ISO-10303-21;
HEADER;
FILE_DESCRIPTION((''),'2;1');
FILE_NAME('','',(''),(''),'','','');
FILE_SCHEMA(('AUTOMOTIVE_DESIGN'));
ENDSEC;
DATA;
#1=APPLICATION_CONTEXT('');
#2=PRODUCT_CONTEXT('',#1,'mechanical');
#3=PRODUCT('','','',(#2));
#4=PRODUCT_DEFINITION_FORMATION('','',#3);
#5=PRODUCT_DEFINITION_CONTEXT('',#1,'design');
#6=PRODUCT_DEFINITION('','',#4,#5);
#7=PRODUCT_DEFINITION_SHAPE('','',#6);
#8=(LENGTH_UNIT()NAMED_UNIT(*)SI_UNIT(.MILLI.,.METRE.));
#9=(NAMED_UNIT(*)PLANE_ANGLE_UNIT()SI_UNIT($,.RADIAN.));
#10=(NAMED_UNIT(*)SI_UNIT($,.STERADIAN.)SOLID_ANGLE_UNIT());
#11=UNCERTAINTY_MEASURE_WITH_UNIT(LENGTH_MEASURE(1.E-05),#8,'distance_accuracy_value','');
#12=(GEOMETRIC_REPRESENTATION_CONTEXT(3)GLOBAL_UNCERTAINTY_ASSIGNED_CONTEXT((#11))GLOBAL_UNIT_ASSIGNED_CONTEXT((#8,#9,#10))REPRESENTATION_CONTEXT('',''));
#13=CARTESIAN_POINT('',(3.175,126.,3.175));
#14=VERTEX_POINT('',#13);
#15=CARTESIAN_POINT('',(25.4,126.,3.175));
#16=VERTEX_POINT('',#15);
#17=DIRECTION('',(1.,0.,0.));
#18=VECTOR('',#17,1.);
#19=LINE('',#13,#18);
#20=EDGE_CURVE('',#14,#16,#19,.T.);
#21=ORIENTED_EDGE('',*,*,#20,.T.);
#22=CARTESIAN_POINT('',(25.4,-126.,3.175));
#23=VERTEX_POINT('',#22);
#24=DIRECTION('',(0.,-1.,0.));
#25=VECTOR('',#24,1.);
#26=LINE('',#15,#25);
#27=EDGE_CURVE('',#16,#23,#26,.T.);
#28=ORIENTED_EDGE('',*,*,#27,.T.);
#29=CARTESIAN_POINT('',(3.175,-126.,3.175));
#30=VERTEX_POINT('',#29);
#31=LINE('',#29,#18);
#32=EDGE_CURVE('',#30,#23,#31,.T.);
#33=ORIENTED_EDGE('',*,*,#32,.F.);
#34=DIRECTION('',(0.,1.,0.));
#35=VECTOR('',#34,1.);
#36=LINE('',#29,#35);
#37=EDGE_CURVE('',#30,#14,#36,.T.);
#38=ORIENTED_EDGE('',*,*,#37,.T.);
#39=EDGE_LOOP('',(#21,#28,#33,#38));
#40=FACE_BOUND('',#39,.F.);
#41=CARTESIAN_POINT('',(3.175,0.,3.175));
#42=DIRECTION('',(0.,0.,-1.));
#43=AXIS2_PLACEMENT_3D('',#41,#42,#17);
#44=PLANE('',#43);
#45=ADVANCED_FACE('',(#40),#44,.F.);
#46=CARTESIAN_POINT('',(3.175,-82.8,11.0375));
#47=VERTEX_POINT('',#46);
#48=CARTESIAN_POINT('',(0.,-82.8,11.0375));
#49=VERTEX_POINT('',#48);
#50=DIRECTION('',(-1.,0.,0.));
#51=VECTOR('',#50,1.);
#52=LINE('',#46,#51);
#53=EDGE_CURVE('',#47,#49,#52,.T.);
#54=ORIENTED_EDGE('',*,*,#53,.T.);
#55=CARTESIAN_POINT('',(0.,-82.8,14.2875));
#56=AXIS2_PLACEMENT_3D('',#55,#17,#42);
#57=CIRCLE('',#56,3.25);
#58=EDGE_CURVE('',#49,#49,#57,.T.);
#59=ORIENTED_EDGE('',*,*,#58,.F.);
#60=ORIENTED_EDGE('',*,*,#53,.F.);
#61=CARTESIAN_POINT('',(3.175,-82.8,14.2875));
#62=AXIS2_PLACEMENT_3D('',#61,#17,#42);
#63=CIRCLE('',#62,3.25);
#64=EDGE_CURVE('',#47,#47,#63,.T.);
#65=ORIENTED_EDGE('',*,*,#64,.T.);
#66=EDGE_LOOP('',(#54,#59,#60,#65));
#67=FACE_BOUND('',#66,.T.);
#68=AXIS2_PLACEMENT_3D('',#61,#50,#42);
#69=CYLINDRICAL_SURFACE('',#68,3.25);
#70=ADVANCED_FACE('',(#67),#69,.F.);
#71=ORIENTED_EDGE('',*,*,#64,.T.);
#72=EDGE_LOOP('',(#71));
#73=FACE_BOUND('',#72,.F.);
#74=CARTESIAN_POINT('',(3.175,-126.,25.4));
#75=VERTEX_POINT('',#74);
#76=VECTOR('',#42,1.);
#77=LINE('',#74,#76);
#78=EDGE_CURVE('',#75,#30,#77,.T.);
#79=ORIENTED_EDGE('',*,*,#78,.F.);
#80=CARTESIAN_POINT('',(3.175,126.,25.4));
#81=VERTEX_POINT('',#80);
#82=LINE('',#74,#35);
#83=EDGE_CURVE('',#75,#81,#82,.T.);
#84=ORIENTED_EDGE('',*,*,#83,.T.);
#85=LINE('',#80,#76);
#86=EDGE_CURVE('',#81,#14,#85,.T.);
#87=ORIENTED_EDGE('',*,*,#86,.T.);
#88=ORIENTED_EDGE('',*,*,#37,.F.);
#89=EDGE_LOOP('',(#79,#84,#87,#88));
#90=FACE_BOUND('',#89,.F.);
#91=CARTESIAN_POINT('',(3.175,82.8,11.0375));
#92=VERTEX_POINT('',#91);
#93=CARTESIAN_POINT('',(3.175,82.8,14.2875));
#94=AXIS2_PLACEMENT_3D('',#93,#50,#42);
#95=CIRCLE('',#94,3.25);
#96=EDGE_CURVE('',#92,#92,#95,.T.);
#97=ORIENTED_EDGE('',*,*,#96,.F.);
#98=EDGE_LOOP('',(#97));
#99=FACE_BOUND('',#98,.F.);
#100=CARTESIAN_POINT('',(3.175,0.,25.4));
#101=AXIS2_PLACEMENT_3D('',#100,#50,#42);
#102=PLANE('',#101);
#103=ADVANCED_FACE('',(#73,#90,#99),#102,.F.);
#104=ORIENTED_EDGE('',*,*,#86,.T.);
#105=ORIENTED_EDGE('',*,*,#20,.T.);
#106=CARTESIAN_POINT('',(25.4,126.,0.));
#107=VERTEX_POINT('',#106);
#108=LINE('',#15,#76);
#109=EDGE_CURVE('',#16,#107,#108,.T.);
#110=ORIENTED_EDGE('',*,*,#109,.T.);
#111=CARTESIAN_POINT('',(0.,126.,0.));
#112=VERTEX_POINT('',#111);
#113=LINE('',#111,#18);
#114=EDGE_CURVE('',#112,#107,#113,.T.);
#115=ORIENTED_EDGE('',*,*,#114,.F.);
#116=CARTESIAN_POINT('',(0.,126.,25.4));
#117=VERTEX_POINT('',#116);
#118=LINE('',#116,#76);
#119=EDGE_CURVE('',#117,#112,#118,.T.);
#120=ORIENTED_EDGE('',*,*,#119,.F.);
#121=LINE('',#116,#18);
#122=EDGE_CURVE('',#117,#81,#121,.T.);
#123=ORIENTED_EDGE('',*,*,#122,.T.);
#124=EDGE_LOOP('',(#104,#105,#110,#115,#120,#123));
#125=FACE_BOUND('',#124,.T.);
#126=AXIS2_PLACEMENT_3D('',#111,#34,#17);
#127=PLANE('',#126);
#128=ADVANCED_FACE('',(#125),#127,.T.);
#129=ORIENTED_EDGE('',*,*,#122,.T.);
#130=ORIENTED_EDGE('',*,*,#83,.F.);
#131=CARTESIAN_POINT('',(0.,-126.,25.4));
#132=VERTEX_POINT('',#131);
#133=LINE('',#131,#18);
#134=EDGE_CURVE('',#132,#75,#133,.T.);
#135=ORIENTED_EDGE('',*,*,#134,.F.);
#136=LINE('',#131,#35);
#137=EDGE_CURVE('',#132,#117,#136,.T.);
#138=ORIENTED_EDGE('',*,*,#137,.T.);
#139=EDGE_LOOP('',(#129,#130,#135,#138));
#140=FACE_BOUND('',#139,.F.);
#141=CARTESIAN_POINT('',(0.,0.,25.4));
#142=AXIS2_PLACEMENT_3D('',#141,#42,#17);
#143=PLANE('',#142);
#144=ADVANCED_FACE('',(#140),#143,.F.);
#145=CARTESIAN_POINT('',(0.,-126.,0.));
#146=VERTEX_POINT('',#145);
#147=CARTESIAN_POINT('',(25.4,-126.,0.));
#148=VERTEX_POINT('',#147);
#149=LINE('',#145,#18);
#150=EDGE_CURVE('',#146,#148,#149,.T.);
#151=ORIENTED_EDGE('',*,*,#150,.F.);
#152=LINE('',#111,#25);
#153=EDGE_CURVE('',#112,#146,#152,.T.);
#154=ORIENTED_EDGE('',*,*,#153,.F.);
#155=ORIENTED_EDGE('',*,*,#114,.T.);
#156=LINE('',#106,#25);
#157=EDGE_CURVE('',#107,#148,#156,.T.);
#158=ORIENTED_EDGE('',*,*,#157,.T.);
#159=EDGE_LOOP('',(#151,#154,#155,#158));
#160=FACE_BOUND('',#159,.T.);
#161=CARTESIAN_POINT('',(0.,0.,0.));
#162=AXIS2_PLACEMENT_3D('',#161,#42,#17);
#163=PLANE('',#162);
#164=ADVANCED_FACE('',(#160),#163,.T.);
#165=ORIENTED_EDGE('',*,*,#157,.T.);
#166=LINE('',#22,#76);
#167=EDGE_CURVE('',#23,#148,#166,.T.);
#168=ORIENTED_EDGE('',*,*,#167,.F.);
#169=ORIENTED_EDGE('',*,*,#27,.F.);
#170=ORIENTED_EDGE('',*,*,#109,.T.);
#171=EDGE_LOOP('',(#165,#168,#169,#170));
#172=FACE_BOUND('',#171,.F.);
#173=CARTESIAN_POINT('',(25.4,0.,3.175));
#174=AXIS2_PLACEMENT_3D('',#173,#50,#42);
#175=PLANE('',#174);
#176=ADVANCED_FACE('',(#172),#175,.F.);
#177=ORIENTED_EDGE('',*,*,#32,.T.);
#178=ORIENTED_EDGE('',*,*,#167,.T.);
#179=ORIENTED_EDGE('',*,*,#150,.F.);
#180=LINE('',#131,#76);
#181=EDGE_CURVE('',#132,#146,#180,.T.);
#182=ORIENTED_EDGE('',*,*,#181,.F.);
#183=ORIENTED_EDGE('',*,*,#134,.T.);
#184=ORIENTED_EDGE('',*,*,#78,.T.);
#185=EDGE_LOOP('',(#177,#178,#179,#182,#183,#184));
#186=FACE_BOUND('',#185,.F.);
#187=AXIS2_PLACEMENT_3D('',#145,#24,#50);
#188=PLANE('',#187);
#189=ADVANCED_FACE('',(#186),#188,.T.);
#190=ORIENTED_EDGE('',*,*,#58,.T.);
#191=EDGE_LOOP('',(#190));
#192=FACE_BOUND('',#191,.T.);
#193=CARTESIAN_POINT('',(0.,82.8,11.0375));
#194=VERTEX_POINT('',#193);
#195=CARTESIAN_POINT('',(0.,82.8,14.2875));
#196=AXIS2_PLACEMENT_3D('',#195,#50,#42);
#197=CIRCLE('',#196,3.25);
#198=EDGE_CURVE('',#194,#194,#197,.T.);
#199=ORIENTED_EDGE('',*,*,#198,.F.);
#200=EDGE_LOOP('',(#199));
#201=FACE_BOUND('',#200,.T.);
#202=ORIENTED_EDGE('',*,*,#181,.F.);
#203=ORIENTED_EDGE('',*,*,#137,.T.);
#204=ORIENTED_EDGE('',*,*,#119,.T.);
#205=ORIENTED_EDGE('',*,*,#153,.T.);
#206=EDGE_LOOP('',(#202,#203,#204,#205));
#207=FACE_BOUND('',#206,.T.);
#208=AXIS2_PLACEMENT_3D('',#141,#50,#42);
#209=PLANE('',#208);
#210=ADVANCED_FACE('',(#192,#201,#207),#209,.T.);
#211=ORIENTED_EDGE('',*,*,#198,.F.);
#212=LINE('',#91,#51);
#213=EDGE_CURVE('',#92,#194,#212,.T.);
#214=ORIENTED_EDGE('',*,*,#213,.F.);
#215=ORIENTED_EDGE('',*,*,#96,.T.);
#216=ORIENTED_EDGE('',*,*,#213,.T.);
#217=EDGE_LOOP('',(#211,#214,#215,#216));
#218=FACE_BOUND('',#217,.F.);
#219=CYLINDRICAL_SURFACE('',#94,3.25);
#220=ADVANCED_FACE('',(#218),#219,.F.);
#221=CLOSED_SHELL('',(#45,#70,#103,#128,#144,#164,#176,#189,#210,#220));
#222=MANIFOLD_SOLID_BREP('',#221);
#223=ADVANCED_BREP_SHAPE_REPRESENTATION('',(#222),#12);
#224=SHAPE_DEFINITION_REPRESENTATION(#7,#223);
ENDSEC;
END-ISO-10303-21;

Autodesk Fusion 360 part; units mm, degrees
sketch "Sketch1" plane through (0, 0, 0) normal (0, 1, 0) x (1, 0, 0)
  line L0 (0, -25.4) -> (0, 0)
  line L1 (0, 0) -> (25.4, 0)
  line L2 (12.7, -12.7) -> (11.05, -11.05) construction
  line L3 (3.175, -25.4) -> (3.175, -3.175)
  line L4 (3.175, -3.175) -> (25.4, -3.175)
  line L5 (25.4, -3.175) -> (25.4, 0)
  line L6 (0, -25.4) -> (3.175, -25.4)
  dimension "d1" = 25.4
  dimension "d2" = 25.4
  dimension "d13" = 3.175
extrude "Extrude1" add sketch "Sketch1" along normal blind 126
hole "Hole3" at (3.175, 76, 14.2875) direction (-1, 0, 0) diameter 6.5 end through all
mirror "Mirror1" about plane through (0, 0, 0) normal (0, 1, 0) of bodies 1 merged
equation "d5 = ( 252 / 2 ) * 1 mm"
equation "d27 = ( 22.225 / 2 ) * 1 mm"
